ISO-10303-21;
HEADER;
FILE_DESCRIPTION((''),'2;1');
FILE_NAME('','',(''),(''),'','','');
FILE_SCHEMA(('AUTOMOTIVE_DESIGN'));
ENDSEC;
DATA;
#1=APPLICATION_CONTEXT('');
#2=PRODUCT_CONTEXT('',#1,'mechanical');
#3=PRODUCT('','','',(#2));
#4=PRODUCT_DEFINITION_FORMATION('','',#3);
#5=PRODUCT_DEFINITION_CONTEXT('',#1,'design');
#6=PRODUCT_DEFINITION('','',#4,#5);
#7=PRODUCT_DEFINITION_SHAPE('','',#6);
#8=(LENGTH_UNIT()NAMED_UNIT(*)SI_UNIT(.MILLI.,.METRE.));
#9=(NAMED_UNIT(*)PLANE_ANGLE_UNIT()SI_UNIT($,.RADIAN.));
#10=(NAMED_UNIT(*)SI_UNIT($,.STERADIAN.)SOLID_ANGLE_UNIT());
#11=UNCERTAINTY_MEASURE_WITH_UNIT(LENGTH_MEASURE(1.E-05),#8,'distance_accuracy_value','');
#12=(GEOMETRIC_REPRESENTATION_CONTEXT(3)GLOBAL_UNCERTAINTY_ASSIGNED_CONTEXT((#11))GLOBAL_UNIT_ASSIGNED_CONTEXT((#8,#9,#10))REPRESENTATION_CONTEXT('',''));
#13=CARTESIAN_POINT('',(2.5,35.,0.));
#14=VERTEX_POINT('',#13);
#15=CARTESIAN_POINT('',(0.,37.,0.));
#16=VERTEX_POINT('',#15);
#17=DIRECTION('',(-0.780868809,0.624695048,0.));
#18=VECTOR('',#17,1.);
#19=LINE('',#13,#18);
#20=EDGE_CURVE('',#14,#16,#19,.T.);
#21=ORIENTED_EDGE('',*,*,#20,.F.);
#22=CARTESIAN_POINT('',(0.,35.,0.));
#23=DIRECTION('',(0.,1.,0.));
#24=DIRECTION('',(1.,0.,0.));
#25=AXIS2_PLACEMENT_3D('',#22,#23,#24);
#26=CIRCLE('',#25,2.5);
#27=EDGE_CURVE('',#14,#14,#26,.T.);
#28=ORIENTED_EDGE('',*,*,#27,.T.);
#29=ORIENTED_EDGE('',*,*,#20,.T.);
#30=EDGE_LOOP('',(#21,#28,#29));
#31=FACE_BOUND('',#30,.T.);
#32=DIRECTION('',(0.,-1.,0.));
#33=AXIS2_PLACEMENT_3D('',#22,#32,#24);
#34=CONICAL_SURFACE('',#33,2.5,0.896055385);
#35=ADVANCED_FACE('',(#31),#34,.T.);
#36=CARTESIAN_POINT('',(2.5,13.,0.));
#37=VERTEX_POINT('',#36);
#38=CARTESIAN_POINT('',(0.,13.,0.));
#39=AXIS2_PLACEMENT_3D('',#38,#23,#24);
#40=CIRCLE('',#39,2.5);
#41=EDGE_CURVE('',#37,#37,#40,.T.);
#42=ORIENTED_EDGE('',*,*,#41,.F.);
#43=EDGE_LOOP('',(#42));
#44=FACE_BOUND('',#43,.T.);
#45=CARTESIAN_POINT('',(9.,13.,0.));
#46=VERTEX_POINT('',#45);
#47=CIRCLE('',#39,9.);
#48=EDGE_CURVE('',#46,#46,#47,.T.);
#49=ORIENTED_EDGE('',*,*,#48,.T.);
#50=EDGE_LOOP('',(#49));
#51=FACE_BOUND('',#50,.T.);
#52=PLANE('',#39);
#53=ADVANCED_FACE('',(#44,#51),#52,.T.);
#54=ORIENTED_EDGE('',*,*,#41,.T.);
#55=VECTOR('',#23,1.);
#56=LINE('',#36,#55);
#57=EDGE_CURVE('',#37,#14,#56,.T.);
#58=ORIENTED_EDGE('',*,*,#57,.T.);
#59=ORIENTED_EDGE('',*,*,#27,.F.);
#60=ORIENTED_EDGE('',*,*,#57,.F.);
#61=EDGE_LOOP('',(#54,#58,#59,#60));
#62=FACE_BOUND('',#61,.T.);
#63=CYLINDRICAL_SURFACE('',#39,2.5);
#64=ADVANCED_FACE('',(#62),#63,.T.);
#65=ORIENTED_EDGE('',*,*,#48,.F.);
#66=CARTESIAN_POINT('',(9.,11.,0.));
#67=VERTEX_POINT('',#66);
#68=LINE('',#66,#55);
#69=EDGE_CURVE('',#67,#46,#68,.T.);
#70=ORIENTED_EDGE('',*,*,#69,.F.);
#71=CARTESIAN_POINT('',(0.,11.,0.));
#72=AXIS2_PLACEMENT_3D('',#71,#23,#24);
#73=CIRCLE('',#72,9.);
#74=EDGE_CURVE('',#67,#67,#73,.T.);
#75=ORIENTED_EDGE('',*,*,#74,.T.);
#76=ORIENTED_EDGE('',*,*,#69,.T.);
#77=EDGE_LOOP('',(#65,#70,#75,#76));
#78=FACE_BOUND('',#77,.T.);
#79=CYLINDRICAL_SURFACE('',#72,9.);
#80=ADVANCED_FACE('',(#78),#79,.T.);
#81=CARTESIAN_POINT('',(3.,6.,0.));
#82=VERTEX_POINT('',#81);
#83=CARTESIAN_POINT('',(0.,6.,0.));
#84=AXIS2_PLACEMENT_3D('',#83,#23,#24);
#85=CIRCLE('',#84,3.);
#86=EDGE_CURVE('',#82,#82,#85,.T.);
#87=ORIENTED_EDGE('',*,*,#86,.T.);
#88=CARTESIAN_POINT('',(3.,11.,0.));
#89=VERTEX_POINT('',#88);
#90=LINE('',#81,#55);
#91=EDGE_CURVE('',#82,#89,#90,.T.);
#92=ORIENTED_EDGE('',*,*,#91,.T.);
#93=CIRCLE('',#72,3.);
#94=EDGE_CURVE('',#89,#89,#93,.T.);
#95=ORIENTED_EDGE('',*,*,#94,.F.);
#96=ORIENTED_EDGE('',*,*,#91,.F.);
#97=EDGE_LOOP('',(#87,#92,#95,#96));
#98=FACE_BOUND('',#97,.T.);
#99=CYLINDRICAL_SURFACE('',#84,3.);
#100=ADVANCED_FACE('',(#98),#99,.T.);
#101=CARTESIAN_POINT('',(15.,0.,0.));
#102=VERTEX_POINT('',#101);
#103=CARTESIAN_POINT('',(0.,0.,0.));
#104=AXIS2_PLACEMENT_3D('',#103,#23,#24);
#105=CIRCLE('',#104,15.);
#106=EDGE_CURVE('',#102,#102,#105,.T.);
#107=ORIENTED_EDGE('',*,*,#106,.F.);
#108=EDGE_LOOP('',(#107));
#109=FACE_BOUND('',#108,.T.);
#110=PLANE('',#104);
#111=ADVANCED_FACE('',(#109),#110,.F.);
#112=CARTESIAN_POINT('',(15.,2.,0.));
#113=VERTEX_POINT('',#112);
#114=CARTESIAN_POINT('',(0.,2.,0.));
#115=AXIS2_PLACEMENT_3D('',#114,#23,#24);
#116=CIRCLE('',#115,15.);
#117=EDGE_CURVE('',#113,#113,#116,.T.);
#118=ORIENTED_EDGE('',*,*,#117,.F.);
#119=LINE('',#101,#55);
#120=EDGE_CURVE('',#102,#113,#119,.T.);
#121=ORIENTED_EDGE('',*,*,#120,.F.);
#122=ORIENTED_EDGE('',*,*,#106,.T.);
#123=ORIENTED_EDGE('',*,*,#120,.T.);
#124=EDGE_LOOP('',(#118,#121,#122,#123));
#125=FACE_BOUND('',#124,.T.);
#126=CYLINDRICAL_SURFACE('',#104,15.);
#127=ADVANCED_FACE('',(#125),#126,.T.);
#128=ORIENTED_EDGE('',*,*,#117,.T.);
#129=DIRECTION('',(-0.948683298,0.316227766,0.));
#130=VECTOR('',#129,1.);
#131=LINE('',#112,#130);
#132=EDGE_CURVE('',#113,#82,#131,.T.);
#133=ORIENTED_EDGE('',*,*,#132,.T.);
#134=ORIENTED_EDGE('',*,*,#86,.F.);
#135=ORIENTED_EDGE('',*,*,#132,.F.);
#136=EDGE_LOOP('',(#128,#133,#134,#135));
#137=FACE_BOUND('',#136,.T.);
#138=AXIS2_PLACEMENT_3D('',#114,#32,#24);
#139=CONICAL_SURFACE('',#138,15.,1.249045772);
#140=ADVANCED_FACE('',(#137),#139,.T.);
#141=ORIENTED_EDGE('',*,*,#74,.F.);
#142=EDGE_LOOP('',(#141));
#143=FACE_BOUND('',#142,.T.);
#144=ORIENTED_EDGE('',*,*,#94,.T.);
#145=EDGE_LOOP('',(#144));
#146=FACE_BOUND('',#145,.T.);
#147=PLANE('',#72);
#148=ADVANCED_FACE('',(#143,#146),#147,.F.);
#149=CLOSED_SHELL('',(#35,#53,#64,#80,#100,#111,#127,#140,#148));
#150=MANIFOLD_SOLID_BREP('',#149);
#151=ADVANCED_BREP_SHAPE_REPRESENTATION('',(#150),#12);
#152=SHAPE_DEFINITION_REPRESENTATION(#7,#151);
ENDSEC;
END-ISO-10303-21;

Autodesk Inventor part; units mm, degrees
ref_plane "YZ Plane" through (0, 0, 0) normal (1, 0, 0) x (0, 1, 0)
ref_plane "XZ Plane" through (0, 0, 0) normal (0, 1, 0) x (-1, 0, 0)
ref_plane "XY Plane" through (0, 0, 0) normal (0, 0, 1) x (1, 0, 0)
sketch "Skizze3" plane through (0, 0, 0) normal (0, 0, 1) x (1, 0, 0)
  line L0 (0, 0) -> (15, 0)
  line L1 (15, 0) -> (15, 2)
  line L2 (15, 2) -> (3, 6)
  line L3 (3, 6) -> (3, 11)
  line L4 (3, 11) -> (9, 11)
  line L5 (9, 11) -> (9, 13)
  line L6 (9, 13) -> (2.5, 13)
  line L7 (2.5, 13) -> (2.5, 35)
  line L8 (2.5, 35) -> (0, 37)
  line L9 (0, -1.3947) -> (0, 46.3421)
  dimension "d4" = 18
  dimension "d5" = 6
  dimension "d6" = 2
  dimension "d7" = 5
  dimension "d8" = 2
  dimension "d9" = 6
  dimension "d11" = 5
  dimension "d12" = 30
  dimension "d13" = 35
  dimension "d14" = 2
revolve "Umdrehung1" add sketch "Skizze3" angle 360 about axis through (0, -1.3947, 0) along (0, 1, 0)
thread "Gewinde1" size "M5x0.8" class "6g" standard "ISO Metric profile" full length
properties part number "BT002_trajan20_22" material "Kunststoff, undurchsichtig Schwarz"
